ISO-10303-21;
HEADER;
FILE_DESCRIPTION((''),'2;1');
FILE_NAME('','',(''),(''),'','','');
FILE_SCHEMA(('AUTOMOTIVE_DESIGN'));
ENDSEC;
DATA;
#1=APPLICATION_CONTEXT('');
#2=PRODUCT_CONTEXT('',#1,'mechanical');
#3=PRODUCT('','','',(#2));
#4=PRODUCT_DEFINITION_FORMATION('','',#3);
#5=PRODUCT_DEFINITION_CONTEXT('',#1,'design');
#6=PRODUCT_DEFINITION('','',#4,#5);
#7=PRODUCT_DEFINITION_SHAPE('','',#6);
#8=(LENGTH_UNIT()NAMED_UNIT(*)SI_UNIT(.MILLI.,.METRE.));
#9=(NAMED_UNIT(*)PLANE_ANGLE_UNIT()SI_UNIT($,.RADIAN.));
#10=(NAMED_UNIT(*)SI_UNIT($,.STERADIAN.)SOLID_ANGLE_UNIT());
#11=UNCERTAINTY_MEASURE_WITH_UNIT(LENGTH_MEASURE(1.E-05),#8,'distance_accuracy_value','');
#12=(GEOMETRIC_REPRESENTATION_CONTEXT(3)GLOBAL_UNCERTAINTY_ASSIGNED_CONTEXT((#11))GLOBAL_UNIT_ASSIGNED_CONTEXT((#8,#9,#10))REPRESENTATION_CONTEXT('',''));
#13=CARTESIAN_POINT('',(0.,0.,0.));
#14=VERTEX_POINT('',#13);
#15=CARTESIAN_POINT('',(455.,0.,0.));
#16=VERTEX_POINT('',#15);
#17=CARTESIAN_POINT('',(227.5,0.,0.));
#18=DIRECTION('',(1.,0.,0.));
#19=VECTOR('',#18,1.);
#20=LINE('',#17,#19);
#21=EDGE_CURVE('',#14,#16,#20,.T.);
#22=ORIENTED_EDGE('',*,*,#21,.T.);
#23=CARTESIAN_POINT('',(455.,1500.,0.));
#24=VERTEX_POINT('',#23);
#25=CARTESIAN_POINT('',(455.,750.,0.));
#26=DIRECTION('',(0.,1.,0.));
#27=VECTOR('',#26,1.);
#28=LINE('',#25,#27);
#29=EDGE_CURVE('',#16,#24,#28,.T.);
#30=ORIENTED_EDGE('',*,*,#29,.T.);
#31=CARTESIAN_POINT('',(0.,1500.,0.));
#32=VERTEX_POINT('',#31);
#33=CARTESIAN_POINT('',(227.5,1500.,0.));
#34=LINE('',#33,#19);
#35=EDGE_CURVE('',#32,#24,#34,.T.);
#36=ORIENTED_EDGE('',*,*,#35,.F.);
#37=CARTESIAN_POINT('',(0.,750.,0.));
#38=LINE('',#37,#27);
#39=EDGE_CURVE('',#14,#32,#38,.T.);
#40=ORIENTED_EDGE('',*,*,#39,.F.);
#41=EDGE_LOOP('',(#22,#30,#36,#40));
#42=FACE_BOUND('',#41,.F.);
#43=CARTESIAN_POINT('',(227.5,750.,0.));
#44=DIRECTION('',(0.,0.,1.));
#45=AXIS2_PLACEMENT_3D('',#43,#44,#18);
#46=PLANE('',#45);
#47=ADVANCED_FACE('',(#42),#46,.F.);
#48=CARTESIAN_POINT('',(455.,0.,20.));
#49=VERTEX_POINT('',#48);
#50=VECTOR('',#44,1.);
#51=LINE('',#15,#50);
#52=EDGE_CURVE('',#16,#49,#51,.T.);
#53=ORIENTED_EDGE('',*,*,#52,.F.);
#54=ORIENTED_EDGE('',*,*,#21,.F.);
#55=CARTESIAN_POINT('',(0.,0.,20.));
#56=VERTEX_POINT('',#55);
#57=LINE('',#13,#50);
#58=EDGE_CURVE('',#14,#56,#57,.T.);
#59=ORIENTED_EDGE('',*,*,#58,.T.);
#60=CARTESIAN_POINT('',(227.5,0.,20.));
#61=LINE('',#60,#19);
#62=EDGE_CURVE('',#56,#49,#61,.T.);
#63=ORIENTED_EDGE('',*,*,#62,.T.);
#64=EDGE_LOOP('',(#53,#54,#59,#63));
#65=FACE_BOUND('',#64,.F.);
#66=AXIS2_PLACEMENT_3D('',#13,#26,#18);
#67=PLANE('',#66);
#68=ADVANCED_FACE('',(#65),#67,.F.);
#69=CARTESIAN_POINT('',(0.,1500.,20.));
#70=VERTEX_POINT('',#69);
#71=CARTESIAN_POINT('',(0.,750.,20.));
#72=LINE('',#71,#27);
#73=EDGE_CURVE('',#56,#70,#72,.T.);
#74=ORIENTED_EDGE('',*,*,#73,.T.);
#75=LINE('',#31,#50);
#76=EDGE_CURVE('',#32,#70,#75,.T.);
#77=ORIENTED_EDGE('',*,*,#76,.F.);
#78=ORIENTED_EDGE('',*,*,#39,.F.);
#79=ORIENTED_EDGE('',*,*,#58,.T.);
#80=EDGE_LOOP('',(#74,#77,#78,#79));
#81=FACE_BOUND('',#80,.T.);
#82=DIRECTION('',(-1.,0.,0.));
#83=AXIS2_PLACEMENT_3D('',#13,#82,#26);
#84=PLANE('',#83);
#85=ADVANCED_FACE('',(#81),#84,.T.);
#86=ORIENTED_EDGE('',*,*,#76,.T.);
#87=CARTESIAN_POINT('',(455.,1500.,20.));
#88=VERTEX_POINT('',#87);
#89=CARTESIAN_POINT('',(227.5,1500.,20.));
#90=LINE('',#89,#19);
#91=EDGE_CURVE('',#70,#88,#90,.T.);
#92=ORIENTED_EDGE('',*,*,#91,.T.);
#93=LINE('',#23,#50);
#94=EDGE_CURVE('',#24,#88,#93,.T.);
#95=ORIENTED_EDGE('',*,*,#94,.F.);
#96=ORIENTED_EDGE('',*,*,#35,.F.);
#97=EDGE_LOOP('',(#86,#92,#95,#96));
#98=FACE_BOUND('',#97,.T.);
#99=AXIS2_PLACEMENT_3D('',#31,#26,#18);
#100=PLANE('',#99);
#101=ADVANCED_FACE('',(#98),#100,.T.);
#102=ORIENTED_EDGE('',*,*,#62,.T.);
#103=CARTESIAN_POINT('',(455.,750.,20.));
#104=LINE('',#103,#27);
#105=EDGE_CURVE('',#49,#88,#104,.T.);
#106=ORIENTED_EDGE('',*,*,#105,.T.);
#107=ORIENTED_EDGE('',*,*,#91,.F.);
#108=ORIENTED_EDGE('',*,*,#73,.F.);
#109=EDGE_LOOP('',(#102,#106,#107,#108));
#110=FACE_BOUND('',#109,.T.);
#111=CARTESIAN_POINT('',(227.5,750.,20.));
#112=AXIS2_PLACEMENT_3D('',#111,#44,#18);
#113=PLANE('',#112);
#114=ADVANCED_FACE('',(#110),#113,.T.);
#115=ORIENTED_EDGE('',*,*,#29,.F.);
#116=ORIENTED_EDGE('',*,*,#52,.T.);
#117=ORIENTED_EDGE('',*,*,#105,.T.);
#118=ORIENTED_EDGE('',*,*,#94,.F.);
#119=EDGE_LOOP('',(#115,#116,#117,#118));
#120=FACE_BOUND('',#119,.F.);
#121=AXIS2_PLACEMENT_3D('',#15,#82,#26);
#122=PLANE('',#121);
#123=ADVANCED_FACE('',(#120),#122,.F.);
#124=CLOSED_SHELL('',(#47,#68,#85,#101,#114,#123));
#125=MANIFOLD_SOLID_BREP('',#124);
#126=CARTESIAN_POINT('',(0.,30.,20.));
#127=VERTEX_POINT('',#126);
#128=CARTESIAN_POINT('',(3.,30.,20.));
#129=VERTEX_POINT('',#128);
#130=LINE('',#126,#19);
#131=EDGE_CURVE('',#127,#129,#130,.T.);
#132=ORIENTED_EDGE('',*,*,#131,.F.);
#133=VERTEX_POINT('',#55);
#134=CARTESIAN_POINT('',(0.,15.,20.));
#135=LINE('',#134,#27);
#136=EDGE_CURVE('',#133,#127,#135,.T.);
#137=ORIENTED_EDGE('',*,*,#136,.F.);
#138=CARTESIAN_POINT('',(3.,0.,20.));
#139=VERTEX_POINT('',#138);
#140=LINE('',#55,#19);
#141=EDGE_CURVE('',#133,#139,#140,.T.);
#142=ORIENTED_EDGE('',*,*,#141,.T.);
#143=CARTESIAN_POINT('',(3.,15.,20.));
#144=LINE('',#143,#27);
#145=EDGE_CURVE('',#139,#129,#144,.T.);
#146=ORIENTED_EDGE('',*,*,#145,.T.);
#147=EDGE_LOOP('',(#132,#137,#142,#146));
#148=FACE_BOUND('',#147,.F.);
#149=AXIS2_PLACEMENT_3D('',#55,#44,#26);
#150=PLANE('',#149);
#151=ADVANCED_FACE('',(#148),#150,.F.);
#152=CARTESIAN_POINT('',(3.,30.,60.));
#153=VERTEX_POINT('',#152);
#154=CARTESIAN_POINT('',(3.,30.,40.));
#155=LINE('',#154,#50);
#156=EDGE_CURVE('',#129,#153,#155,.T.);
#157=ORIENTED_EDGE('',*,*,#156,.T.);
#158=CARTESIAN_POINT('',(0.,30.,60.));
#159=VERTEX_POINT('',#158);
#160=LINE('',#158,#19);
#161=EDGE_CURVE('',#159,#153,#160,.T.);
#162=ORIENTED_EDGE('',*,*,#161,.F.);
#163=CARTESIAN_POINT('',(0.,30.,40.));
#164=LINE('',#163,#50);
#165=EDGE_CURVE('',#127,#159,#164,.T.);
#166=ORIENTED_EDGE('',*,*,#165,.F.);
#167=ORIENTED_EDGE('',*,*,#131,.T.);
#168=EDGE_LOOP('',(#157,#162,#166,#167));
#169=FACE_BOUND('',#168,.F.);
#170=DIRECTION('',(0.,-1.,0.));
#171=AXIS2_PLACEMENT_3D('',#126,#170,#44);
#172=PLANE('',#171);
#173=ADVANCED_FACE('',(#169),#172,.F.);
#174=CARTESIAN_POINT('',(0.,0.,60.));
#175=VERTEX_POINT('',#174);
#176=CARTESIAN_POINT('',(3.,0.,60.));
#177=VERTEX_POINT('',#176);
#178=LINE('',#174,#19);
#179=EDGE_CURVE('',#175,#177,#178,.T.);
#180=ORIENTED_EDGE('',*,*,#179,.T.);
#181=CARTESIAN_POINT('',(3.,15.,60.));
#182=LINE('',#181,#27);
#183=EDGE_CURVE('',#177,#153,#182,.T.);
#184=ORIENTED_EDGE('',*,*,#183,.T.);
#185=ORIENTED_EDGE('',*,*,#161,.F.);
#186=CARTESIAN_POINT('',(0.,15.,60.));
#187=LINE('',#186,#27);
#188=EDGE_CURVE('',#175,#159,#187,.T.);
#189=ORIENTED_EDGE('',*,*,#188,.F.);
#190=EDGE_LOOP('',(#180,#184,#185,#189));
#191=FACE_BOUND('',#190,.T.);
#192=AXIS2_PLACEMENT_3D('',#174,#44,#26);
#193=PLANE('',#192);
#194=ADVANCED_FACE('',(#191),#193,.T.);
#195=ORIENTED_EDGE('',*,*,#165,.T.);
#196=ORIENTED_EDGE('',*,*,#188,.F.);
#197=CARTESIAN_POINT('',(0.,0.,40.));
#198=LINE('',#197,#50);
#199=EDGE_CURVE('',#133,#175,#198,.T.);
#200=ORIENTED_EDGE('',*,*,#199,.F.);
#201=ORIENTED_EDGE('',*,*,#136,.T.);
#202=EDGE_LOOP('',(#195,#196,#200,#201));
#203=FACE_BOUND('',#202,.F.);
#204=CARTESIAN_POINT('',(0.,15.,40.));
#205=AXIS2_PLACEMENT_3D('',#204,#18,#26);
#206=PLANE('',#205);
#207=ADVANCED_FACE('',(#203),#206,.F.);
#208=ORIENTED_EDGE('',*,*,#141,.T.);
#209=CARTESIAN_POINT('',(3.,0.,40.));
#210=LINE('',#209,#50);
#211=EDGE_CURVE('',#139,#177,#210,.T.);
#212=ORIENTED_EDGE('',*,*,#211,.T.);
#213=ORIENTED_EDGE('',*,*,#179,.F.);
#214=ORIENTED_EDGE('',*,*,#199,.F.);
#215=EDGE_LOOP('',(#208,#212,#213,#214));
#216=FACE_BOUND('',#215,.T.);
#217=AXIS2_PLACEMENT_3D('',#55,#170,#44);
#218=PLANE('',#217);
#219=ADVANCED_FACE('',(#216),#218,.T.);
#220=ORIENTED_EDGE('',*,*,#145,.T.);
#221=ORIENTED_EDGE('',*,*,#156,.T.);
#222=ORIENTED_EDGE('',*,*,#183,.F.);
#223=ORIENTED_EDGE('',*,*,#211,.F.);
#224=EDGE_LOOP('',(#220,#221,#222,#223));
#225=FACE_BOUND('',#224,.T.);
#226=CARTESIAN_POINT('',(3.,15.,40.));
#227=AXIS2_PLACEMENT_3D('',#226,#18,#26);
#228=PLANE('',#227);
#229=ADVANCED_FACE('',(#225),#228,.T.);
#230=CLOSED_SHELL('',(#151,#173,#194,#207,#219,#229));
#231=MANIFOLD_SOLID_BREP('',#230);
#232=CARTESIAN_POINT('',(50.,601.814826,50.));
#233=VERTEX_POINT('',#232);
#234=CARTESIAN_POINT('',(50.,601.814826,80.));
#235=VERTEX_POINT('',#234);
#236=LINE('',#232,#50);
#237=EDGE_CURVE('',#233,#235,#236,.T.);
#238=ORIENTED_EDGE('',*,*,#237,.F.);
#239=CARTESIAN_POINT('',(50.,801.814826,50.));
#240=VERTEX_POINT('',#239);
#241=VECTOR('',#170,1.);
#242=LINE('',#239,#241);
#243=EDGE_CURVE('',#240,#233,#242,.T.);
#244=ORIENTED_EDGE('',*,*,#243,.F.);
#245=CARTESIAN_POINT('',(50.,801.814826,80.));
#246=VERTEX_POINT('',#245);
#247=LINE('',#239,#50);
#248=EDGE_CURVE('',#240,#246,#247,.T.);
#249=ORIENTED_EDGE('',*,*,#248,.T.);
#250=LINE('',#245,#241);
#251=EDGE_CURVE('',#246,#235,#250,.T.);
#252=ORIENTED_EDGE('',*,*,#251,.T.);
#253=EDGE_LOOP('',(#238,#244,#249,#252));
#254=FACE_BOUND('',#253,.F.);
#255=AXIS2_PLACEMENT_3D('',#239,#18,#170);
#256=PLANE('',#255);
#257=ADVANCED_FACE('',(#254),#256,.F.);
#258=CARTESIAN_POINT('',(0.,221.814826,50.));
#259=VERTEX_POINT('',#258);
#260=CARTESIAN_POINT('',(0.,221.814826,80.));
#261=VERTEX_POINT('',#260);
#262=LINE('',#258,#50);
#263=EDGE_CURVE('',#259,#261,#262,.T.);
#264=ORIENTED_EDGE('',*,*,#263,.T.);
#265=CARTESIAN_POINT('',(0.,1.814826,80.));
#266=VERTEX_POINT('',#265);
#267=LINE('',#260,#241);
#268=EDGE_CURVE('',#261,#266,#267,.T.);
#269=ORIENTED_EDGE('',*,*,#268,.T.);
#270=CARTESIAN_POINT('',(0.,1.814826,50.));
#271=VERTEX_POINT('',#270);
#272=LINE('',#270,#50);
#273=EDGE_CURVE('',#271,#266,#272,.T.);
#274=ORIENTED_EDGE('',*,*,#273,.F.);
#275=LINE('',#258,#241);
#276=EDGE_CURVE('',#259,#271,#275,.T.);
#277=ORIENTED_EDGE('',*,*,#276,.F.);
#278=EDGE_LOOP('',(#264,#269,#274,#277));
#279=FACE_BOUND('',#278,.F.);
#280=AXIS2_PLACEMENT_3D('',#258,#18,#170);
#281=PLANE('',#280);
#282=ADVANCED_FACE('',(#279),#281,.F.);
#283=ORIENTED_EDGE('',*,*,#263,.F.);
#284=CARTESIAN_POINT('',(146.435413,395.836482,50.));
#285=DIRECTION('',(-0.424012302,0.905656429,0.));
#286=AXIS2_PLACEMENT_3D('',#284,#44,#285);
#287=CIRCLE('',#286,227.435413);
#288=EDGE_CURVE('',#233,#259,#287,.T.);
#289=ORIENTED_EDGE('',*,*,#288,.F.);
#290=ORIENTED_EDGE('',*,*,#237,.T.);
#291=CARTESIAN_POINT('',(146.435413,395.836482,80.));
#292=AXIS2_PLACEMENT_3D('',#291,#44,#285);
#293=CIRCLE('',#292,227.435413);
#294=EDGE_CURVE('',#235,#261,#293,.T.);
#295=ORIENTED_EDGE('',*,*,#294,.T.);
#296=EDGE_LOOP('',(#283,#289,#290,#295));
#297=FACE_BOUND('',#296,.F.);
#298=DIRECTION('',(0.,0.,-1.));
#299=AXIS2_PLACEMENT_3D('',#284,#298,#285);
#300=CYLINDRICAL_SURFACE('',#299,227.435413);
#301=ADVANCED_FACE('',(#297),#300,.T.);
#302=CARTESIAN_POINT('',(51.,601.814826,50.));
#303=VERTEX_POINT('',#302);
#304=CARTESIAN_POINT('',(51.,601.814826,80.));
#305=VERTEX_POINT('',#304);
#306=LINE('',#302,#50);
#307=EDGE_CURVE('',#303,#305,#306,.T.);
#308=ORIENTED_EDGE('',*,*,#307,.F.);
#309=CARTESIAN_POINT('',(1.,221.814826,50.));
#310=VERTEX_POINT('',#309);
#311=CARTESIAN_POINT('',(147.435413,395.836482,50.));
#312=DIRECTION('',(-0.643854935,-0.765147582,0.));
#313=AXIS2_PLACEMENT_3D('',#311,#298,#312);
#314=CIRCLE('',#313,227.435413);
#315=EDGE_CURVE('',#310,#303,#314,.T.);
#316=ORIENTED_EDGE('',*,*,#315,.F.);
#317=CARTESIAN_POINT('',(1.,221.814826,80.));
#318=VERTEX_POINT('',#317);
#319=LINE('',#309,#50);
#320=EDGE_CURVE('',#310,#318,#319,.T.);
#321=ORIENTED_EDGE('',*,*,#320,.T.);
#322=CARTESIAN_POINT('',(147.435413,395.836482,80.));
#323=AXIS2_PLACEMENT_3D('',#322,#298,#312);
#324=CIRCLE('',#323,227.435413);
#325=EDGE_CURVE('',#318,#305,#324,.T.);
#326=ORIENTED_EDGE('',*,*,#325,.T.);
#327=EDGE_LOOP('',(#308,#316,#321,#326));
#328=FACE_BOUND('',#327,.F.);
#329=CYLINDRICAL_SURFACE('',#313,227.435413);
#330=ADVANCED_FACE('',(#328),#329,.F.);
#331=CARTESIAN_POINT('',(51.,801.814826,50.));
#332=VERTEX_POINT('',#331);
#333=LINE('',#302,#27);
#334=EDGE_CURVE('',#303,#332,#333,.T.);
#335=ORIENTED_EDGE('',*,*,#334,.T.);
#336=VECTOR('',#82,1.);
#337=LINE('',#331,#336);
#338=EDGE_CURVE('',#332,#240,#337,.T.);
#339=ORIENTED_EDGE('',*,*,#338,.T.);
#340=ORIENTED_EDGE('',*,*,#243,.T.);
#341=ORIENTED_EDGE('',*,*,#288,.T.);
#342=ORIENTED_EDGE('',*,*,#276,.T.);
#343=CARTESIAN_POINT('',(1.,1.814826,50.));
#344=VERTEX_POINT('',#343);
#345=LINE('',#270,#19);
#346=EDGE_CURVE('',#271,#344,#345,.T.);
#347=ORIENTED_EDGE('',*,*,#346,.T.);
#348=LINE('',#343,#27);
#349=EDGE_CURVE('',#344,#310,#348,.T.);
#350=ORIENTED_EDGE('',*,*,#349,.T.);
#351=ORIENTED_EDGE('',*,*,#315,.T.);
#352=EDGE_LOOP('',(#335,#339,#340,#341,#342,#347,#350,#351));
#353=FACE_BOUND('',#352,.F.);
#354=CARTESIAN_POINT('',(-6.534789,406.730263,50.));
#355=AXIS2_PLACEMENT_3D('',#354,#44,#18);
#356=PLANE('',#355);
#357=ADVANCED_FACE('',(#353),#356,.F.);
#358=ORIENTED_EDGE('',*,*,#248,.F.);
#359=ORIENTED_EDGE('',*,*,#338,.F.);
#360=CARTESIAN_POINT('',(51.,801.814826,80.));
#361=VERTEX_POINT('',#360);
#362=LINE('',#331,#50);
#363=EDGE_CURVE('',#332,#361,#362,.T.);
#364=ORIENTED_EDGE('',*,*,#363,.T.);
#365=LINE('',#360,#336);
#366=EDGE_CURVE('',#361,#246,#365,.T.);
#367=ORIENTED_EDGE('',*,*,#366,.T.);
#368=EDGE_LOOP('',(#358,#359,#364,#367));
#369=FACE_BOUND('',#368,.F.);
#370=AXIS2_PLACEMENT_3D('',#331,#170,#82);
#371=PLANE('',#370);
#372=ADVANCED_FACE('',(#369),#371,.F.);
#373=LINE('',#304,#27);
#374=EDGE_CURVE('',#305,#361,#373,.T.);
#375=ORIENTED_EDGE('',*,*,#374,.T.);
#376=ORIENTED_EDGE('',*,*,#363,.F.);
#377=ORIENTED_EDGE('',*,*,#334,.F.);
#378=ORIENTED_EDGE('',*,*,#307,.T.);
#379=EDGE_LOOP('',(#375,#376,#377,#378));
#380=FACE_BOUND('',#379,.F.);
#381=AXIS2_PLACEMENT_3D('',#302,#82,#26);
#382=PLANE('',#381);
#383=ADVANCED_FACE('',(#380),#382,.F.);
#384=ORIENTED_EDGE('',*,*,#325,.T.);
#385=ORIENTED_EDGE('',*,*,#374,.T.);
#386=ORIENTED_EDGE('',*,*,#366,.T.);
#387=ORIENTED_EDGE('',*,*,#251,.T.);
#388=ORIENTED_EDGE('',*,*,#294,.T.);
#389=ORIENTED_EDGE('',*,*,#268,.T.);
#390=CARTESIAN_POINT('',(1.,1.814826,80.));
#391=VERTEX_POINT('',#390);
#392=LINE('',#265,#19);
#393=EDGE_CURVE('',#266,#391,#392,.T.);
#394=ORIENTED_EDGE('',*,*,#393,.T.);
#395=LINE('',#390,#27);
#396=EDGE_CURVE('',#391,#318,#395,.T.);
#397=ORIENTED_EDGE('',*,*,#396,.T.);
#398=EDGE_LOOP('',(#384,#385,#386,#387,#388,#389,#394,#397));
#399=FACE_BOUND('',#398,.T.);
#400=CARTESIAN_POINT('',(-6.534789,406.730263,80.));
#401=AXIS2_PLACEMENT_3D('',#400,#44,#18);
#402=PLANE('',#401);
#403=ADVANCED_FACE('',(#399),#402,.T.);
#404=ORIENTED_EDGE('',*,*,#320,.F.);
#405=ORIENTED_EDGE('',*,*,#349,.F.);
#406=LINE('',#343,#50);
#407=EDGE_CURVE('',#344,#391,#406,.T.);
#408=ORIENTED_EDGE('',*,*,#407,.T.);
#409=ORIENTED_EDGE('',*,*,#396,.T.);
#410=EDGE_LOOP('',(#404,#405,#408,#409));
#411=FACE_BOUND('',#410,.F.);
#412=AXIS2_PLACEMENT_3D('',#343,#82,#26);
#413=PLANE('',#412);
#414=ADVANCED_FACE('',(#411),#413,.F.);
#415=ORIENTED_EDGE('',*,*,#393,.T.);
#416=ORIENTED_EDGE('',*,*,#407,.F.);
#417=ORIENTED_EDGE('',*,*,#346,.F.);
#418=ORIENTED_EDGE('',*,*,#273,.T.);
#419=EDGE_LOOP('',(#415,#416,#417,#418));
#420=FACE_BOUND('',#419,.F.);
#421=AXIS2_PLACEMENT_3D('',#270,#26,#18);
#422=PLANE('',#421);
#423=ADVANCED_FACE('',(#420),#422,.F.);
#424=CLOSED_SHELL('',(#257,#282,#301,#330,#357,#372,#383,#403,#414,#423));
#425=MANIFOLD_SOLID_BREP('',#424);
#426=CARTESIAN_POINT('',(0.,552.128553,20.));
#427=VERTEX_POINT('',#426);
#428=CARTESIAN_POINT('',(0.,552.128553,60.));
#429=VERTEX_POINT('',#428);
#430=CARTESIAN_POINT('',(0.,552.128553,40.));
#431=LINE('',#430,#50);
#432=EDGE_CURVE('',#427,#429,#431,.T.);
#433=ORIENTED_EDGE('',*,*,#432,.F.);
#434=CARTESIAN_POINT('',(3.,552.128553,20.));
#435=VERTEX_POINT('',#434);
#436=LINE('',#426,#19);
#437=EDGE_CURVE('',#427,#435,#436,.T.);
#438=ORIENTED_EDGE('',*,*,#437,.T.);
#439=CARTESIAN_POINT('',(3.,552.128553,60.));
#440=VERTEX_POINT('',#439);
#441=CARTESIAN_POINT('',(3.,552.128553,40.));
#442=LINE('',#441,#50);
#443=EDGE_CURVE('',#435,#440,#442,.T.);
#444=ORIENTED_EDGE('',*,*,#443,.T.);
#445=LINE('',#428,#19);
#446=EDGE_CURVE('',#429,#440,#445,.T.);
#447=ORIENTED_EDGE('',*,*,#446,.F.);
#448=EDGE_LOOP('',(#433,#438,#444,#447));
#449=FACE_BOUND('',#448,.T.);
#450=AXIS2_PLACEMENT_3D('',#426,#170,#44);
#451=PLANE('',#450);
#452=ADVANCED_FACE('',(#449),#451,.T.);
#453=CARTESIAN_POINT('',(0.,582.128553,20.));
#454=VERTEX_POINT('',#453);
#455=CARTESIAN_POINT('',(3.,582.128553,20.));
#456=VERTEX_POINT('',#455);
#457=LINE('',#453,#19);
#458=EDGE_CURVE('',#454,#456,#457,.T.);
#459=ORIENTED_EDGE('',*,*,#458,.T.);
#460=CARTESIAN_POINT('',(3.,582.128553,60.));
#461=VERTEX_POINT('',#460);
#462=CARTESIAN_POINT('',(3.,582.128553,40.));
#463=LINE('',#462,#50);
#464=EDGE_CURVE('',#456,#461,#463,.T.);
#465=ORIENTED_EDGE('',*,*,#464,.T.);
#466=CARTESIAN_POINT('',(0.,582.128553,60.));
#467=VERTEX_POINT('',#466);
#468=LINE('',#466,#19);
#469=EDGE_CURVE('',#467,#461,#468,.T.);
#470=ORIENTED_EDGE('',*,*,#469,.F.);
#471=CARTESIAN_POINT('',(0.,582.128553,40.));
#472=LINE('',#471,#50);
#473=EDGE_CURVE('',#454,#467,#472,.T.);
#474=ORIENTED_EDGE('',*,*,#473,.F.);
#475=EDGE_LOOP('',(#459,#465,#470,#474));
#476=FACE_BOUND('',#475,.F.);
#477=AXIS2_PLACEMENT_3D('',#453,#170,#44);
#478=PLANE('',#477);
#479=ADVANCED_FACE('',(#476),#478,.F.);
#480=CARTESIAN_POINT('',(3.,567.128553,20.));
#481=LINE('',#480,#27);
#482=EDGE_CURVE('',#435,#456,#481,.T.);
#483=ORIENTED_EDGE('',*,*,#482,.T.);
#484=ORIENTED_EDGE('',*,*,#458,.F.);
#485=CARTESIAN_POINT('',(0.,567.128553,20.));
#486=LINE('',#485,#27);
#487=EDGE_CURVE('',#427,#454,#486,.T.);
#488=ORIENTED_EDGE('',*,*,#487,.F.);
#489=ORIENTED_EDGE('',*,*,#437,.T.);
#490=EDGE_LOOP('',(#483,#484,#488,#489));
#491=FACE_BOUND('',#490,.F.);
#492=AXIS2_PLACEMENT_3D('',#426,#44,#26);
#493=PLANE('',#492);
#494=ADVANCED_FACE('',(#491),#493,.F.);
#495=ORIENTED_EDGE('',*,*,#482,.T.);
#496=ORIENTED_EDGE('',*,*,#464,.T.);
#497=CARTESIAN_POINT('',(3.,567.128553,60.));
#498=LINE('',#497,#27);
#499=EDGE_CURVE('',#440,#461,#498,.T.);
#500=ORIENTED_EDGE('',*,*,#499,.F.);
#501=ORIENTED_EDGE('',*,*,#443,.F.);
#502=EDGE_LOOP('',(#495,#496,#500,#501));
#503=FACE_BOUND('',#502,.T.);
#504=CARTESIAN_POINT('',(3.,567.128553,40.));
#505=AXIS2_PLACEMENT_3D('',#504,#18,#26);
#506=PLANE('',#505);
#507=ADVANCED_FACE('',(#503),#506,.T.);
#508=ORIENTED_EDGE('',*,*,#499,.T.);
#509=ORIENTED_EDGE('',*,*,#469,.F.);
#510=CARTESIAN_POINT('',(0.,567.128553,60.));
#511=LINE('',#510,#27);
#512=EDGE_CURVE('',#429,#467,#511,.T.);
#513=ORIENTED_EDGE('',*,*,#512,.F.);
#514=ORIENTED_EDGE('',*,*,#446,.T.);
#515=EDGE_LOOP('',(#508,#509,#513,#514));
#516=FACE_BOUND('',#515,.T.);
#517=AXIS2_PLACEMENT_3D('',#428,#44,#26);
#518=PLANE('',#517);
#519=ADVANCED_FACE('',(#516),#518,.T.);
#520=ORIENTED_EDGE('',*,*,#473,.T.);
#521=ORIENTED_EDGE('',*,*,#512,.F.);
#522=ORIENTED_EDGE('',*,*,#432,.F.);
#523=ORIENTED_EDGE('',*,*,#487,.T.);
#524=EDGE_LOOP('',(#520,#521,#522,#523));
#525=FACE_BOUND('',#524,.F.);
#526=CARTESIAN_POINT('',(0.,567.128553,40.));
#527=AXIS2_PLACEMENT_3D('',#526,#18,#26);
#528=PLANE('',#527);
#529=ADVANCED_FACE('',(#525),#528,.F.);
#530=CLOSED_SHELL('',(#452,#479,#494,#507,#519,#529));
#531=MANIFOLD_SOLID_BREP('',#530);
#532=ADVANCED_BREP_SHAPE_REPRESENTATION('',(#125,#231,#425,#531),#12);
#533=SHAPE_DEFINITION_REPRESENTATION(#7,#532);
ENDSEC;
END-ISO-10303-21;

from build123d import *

# Parameters (mm, degrees)
F0_W     = 455
F0_H     = 1500
F1_DEPTH = 20
F7_DEPTH = 30
F8_W     = 30
F8_H     = 40
F9_DEPTH = 3


with BuildPart() as f1:
    # F0 (on Top) → F1 (new body)
    with BuildSketch(Plane.XY):
        with Locations((227.5, 750)):
            Rectangle(F0_W, F0_H)
    extrude(amount=F1_DEPTH)


with BuildPart() as f7:
    # F6 (on offset) → F7 (new body)
    with BuildSketch(Plane.XY.offset(50)):
        with BuildLine():
            Line((50, 801.814826), (50, 601.814826))
            ThreePointArc((50, 601.814826), (-79.056404, 425.506458), (0, 221.814826))
            Line((0, 221.814826), (0, 1.814826))
            Line((0, 1.814826), (1, 1.814826))
            Line((1, 1.814826), (1, 221.814826))
            ThreePointArc((1, 221.814826), (-78.056404, 425.506458), (51, 601.814826))
            Line((51, 601.814826), (51, 801.814826))
            Line((51, 801.814826), (50, 801.814826))
        make_face()
    extrude(amount=F7_DEPTH)


with BuildPart() as f9:
    # F8 (on Right) → F9 (new body)
    with BuildSketch(Plane.YZ):
        with Locations((15, 40)):
            Rectangle(F8_W, F8_H)
        with Locations((567.128553, 40)):
            Rectangle(F8_W, F8_H)
    extrude(amount=F9_DEPTH)


solid = Compound([f1.part, f7.part, f9.part])
